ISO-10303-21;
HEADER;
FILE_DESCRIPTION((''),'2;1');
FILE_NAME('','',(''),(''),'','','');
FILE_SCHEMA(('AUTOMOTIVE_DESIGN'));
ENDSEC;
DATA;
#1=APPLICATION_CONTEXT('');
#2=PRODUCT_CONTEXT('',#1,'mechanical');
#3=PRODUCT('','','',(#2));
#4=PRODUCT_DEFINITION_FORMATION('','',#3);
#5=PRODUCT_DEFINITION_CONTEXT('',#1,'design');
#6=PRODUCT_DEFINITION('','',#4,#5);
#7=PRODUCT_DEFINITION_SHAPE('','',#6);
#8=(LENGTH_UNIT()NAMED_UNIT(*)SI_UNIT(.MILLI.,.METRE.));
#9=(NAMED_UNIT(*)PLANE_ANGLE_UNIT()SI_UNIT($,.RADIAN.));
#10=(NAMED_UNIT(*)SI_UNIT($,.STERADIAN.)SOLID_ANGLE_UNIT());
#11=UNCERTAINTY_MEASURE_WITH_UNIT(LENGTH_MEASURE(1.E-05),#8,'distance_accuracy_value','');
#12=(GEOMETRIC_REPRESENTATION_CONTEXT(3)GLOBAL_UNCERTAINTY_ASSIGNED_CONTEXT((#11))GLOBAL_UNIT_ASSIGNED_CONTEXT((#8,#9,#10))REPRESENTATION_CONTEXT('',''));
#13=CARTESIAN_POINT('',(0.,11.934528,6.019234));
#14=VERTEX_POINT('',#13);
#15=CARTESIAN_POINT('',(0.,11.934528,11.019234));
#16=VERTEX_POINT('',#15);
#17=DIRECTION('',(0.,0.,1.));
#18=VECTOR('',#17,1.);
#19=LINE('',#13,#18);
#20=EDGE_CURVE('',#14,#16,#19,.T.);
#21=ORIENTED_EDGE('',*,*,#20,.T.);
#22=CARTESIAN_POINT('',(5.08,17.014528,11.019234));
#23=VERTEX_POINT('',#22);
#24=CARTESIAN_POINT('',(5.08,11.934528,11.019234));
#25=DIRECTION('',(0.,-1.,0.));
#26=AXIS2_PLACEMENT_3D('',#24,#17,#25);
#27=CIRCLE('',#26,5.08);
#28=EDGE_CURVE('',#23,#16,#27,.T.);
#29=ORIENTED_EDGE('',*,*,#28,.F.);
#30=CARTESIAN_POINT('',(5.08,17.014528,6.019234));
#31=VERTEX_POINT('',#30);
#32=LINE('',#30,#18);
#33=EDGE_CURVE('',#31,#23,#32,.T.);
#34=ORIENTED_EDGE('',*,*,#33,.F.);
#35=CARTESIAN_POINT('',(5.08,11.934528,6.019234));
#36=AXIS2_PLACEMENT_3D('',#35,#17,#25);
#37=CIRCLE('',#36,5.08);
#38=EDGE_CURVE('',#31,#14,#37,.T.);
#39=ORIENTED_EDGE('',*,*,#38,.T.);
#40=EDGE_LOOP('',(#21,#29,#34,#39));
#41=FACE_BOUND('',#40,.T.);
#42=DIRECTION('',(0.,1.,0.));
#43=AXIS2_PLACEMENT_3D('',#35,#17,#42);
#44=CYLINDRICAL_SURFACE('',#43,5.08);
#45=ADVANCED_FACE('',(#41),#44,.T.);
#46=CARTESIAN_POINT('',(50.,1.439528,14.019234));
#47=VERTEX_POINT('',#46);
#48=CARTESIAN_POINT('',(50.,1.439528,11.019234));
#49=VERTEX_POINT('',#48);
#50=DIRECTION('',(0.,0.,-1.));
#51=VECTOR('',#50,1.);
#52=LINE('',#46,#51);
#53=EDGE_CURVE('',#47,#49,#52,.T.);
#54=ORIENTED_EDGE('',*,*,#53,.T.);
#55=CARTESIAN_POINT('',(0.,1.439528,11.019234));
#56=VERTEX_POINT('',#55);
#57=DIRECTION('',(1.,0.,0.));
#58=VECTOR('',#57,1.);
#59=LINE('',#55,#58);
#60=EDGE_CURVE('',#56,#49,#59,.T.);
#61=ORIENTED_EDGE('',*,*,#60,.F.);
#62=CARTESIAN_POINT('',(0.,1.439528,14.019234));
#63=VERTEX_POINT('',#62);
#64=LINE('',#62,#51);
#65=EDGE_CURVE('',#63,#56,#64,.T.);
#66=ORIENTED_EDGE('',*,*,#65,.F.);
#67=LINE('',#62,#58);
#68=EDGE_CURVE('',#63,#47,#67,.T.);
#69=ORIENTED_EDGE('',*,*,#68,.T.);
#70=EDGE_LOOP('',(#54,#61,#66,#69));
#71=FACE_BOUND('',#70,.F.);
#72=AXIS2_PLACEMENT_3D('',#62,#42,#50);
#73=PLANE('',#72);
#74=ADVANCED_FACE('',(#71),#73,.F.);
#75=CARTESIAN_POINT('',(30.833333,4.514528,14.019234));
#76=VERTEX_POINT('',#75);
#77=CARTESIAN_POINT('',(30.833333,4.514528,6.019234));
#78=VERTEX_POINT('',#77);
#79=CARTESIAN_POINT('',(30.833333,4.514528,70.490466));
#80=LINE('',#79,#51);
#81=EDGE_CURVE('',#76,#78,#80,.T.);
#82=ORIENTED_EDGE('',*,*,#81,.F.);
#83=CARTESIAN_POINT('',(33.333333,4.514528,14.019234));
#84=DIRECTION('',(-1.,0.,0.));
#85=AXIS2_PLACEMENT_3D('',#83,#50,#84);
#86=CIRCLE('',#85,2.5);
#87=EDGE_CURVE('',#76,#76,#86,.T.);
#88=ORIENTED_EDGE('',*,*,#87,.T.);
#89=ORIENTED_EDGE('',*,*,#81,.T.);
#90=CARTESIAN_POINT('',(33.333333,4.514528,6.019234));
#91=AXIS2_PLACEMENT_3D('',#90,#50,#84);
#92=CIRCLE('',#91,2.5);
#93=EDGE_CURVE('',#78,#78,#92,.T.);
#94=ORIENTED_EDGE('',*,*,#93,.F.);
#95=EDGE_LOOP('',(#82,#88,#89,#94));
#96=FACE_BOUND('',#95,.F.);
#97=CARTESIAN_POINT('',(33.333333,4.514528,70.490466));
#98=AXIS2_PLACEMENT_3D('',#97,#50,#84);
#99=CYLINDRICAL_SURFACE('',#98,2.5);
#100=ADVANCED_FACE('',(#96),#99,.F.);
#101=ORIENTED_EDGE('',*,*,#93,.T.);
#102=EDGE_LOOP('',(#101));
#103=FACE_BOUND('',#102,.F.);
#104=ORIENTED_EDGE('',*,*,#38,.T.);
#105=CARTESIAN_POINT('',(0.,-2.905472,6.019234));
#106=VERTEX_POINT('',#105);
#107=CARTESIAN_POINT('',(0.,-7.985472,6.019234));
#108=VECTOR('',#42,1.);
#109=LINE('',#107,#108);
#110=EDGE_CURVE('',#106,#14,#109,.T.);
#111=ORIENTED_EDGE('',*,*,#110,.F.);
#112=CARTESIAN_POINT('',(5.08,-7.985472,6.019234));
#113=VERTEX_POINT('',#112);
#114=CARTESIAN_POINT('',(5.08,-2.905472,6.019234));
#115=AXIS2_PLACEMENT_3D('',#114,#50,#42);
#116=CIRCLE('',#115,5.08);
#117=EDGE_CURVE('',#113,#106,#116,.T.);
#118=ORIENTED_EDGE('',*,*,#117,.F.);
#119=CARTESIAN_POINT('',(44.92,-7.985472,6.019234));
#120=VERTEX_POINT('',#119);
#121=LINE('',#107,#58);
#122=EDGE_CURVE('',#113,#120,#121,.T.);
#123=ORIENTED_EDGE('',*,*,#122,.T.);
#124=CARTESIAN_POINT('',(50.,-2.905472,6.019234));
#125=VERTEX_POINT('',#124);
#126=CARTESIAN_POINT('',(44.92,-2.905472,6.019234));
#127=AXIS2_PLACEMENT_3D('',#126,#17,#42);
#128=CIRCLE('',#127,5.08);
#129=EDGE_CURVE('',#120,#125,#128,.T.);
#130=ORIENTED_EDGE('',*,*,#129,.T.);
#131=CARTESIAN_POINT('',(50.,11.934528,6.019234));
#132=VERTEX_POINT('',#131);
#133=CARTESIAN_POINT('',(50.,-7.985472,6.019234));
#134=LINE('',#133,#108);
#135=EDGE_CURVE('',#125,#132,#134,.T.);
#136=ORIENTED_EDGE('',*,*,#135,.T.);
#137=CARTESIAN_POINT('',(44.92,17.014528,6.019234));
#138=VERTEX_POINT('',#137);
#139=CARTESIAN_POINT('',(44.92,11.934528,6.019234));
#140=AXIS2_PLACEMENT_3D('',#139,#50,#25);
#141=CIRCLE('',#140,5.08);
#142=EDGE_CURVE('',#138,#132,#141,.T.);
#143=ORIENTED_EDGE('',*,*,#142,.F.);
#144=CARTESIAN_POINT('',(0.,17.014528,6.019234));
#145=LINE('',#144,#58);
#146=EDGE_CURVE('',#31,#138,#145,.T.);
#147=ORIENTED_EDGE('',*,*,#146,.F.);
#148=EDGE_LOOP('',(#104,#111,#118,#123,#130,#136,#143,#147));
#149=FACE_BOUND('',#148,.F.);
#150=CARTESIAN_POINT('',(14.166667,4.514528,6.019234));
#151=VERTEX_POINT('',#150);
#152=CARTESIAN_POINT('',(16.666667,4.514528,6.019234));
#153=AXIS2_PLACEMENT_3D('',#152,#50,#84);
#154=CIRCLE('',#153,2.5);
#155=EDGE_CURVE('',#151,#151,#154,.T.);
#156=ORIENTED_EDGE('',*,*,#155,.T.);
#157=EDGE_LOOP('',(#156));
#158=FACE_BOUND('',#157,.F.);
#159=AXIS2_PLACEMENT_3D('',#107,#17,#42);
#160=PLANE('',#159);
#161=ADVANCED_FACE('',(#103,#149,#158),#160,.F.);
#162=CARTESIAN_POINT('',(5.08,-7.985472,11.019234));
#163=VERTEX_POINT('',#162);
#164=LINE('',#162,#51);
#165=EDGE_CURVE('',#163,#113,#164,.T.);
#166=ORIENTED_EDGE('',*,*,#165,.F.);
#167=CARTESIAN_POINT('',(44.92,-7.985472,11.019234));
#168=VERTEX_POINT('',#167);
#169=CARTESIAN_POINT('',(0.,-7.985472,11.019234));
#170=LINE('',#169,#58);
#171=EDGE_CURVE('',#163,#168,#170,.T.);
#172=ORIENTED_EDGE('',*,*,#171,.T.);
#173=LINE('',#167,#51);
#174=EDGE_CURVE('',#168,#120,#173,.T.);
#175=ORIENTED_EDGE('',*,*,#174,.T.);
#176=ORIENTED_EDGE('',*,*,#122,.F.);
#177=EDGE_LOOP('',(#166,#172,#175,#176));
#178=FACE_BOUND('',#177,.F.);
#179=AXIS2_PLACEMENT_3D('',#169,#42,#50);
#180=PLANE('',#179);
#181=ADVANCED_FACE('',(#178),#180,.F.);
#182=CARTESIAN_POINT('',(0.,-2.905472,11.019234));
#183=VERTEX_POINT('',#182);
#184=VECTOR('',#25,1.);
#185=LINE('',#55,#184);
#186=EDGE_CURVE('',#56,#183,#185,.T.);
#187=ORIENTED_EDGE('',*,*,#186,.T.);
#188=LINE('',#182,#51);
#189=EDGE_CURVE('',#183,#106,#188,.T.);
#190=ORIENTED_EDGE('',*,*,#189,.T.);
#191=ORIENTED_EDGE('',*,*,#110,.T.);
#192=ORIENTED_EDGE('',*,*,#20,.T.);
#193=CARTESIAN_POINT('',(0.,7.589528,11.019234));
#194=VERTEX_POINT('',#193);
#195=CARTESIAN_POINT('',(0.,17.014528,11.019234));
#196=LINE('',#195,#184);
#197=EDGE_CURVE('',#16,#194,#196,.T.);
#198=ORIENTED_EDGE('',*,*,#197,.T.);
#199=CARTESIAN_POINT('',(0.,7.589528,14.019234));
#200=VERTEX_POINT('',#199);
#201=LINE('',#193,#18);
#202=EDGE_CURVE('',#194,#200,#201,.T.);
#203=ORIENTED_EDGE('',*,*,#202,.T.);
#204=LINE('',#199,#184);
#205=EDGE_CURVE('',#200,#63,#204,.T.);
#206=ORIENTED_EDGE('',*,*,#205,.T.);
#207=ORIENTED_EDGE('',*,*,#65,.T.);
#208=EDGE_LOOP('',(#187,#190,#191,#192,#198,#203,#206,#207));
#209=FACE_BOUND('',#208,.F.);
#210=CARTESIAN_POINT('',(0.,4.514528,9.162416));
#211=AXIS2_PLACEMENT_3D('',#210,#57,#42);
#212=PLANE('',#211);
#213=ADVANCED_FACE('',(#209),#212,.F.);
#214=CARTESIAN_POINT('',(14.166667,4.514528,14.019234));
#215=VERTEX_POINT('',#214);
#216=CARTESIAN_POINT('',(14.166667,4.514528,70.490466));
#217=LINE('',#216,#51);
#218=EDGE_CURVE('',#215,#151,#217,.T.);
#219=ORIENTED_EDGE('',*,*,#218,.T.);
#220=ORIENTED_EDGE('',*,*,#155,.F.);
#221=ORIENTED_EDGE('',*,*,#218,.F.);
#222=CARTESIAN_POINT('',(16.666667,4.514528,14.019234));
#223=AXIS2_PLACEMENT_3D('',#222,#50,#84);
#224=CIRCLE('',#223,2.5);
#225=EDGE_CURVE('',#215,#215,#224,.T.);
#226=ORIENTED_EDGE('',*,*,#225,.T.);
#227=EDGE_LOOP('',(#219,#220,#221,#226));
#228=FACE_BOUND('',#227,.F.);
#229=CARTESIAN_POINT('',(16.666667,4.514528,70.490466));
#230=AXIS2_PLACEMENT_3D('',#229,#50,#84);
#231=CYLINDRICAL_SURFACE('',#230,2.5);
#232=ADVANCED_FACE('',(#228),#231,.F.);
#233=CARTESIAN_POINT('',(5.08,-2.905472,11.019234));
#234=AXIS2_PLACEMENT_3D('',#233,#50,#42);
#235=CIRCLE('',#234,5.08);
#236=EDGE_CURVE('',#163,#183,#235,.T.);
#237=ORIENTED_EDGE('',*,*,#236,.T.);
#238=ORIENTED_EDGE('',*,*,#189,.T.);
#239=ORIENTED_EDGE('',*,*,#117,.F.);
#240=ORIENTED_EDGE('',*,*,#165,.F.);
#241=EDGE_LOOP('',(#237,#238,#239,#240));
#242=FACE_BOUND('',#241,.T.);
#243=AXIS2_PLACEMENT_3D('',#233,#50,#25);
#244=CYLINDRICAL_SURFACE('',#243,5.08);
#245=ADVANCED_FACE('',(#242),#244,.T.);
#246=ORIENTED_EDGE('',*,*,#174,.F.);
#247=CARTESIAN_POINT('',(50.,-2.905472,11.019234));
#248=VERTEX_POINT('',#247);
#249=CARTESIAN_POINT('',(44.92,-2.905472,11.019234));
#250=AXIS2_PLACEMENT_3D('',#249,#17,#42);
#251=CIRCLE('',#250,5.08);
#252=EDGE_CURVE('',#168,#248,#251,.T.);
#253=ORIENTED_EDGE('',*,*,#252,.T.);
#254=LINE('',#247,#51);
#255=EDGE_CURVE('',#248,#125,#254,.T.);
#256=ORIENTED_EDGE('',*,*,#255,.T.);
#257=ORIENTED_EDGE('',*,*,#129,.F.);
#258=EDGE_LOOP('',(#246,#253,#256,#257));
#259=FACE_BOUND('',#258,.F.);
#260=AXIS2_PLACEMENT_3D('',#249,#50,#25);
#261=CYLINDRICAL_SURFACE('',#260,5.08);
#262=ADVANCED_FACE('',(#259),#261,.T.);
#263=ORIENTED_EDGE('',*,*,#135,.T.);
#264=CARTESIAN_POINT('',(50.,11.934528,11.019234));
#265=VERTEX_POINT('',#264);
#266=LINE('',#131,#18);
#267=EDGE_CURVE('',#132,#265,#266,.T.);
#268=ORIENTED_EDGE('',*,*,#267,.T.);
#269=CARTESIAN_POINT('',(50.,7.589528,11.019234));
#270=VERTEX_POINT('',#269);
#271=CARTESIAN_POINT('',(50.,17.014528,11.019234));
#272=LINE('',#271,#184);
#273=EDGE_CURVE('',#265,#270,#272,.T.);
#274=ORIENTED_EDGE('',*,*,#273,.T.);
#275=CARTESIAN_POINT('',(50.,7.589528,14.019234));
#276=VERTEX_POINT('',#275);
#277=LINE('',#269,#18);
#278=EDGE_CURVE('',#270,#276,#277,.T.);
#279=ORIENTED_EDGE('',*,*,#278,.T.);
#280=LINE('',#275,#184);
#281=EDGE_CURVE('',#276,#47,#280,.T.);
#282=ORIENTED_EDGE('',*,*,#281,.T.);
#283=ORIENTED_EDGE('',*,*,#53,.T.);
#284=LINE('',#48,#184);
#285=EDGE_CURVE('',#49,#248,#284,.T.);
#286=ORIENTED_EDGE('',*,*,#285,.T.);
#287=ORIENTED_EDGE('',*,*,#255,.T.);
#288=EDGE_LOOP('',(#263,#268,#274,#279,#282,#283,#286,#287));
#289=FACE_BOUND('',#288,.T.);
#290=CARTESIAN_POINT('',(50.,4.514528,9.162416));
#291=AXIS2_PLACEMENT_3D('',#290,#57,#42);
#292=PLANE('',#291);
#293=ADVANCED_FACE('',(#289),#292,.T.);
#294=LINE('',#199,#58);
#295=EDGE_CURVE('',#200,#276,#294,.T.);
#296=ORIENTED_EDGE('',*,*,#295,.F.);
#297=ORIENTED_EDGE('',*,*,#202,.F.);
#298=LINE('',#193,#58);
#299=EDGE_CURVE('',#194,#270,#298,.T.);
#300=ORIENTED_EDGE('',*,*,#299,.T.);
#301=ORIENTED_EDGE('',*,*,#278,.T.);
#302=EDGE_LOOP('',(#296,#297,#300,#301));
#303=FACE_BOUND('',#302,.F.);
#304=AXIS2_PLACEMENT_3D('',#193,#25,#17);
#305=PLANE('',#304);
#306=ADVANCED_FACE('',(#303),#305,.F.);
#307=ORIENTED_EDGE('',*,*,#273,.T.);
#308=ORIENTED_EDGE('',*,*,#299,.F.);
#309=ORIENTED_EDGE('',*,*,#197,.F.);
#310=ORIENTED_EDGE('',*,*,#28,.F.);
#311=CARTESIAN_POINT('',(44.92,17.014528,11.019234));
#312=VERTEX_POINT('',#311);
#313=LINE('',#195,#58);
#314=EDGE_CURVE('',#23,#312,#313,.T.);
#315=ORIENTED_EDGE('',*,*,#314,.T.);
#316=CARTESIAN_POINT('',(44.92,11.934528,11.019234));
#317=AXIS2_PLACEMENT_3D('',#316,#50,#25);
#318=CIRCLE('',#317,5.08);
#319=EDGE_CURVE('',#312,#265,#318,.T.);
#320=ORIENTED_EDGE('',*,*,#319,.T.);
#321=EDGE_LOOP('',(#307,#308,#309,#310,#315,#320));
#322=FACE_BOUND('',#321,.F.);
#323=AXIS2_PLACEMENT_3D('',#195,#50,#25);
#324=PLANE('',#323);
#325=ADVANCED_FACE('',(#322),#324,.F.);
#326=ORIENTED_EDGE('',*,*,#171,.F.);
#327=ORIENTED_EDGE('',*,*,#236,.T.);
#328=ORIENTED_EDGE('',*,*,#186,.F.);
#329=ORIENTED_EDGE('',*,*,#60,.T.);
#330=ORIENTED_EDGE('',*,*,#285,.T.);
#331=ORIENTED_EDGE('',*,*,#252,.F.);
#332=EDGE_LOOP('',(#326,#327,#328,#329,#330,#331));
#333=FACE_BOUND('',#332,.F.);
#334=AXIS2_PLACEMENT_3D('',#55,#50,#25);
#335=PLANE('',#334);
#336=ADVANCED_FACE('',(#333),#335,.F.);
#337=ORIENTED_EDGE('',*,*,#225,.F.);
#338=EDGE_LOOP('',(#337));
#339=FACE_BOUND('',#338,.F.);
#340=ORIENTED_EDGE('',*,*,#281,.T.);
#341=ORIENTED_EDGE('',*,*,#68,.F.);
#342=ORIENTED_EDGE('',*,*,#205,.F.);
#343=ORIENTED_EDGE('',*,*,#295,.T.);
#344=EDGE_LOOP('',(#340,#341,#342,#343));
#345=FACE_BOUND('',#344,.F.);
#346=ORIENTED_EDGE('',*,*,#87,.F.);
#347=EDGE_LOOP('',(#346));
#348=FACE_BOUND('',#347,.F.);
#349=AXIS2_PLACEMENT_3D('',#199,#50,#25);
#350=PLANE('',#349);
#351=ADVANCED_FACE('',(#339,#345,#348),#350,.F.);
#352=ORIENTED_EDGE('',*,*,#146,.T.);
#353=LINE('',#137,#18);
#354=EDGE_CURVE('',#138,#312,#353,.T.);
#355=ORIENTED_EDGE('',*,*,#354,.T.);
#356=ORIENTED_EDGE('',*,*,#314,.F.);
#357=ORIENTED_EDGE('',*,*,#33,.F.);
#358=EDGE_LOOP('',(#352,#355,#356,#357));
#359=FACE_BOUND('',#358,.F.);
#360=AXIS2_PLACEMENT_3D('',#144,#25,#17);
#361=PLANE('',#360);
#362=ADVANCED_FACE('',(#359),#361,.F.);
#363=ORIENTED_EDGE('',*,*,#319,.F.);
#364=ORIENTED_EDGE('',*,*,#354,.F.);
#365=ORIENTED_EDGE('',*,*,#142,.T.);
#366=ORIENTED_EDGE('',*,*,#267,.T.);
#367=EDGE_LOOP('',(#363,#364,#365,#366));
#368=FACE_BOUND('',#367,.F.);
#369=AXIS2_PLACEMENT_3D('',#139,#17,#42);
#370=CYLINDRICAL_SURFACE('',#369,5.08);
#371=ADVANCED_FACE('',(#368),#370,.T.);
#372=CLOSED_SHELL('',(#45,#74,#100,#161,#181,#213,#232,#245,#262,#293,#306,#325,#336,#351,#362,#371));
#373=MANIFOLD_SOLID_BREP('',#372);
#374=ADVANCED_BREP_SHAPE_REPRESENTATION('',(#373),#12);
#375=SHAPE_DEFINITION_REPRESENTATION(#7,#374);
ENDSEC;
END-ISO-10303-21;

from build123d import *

# Parameters (mm, degrees)
F1_DEPTH = 50
F2_R     = 5.08
F4_D     = 5


with BuildPart() as f1:
    # F0 (on Right) → F1 (new body)
    with BuildSketch(Plane.YZ):
        Polygon((1.439528, 14.019234), (1.439528, 11.019234), (-7.985472, 11.019234), (-7.985472, 6.019234), (17.014528, 6.019234), (17.014528, 11.019234), (7.589528, 11.019234), (7.589528, 14.019234), align=None)
    extrude(amount=F1_DEPTH)

    # F2
    f2_edges = [f1.edges().sort_by_distance(p)[0] for p in [
        (50, 17.014528, 8.519234),
        (50, -7.985472, 8.519234),
        (0, 17.014528, 8.519234),
        (0, -7.985472, 8.519234),
    ]]
    fillet(f2_edges, radius=F2_R)

    # F4 (through all)
    with Locations(Plane.XY.offset(14.019234)):
        with Locations((16.666667, 4.514528), (33.333333, 4.514528)):
            Hole(F4_D / 2)


solid = f1.part
